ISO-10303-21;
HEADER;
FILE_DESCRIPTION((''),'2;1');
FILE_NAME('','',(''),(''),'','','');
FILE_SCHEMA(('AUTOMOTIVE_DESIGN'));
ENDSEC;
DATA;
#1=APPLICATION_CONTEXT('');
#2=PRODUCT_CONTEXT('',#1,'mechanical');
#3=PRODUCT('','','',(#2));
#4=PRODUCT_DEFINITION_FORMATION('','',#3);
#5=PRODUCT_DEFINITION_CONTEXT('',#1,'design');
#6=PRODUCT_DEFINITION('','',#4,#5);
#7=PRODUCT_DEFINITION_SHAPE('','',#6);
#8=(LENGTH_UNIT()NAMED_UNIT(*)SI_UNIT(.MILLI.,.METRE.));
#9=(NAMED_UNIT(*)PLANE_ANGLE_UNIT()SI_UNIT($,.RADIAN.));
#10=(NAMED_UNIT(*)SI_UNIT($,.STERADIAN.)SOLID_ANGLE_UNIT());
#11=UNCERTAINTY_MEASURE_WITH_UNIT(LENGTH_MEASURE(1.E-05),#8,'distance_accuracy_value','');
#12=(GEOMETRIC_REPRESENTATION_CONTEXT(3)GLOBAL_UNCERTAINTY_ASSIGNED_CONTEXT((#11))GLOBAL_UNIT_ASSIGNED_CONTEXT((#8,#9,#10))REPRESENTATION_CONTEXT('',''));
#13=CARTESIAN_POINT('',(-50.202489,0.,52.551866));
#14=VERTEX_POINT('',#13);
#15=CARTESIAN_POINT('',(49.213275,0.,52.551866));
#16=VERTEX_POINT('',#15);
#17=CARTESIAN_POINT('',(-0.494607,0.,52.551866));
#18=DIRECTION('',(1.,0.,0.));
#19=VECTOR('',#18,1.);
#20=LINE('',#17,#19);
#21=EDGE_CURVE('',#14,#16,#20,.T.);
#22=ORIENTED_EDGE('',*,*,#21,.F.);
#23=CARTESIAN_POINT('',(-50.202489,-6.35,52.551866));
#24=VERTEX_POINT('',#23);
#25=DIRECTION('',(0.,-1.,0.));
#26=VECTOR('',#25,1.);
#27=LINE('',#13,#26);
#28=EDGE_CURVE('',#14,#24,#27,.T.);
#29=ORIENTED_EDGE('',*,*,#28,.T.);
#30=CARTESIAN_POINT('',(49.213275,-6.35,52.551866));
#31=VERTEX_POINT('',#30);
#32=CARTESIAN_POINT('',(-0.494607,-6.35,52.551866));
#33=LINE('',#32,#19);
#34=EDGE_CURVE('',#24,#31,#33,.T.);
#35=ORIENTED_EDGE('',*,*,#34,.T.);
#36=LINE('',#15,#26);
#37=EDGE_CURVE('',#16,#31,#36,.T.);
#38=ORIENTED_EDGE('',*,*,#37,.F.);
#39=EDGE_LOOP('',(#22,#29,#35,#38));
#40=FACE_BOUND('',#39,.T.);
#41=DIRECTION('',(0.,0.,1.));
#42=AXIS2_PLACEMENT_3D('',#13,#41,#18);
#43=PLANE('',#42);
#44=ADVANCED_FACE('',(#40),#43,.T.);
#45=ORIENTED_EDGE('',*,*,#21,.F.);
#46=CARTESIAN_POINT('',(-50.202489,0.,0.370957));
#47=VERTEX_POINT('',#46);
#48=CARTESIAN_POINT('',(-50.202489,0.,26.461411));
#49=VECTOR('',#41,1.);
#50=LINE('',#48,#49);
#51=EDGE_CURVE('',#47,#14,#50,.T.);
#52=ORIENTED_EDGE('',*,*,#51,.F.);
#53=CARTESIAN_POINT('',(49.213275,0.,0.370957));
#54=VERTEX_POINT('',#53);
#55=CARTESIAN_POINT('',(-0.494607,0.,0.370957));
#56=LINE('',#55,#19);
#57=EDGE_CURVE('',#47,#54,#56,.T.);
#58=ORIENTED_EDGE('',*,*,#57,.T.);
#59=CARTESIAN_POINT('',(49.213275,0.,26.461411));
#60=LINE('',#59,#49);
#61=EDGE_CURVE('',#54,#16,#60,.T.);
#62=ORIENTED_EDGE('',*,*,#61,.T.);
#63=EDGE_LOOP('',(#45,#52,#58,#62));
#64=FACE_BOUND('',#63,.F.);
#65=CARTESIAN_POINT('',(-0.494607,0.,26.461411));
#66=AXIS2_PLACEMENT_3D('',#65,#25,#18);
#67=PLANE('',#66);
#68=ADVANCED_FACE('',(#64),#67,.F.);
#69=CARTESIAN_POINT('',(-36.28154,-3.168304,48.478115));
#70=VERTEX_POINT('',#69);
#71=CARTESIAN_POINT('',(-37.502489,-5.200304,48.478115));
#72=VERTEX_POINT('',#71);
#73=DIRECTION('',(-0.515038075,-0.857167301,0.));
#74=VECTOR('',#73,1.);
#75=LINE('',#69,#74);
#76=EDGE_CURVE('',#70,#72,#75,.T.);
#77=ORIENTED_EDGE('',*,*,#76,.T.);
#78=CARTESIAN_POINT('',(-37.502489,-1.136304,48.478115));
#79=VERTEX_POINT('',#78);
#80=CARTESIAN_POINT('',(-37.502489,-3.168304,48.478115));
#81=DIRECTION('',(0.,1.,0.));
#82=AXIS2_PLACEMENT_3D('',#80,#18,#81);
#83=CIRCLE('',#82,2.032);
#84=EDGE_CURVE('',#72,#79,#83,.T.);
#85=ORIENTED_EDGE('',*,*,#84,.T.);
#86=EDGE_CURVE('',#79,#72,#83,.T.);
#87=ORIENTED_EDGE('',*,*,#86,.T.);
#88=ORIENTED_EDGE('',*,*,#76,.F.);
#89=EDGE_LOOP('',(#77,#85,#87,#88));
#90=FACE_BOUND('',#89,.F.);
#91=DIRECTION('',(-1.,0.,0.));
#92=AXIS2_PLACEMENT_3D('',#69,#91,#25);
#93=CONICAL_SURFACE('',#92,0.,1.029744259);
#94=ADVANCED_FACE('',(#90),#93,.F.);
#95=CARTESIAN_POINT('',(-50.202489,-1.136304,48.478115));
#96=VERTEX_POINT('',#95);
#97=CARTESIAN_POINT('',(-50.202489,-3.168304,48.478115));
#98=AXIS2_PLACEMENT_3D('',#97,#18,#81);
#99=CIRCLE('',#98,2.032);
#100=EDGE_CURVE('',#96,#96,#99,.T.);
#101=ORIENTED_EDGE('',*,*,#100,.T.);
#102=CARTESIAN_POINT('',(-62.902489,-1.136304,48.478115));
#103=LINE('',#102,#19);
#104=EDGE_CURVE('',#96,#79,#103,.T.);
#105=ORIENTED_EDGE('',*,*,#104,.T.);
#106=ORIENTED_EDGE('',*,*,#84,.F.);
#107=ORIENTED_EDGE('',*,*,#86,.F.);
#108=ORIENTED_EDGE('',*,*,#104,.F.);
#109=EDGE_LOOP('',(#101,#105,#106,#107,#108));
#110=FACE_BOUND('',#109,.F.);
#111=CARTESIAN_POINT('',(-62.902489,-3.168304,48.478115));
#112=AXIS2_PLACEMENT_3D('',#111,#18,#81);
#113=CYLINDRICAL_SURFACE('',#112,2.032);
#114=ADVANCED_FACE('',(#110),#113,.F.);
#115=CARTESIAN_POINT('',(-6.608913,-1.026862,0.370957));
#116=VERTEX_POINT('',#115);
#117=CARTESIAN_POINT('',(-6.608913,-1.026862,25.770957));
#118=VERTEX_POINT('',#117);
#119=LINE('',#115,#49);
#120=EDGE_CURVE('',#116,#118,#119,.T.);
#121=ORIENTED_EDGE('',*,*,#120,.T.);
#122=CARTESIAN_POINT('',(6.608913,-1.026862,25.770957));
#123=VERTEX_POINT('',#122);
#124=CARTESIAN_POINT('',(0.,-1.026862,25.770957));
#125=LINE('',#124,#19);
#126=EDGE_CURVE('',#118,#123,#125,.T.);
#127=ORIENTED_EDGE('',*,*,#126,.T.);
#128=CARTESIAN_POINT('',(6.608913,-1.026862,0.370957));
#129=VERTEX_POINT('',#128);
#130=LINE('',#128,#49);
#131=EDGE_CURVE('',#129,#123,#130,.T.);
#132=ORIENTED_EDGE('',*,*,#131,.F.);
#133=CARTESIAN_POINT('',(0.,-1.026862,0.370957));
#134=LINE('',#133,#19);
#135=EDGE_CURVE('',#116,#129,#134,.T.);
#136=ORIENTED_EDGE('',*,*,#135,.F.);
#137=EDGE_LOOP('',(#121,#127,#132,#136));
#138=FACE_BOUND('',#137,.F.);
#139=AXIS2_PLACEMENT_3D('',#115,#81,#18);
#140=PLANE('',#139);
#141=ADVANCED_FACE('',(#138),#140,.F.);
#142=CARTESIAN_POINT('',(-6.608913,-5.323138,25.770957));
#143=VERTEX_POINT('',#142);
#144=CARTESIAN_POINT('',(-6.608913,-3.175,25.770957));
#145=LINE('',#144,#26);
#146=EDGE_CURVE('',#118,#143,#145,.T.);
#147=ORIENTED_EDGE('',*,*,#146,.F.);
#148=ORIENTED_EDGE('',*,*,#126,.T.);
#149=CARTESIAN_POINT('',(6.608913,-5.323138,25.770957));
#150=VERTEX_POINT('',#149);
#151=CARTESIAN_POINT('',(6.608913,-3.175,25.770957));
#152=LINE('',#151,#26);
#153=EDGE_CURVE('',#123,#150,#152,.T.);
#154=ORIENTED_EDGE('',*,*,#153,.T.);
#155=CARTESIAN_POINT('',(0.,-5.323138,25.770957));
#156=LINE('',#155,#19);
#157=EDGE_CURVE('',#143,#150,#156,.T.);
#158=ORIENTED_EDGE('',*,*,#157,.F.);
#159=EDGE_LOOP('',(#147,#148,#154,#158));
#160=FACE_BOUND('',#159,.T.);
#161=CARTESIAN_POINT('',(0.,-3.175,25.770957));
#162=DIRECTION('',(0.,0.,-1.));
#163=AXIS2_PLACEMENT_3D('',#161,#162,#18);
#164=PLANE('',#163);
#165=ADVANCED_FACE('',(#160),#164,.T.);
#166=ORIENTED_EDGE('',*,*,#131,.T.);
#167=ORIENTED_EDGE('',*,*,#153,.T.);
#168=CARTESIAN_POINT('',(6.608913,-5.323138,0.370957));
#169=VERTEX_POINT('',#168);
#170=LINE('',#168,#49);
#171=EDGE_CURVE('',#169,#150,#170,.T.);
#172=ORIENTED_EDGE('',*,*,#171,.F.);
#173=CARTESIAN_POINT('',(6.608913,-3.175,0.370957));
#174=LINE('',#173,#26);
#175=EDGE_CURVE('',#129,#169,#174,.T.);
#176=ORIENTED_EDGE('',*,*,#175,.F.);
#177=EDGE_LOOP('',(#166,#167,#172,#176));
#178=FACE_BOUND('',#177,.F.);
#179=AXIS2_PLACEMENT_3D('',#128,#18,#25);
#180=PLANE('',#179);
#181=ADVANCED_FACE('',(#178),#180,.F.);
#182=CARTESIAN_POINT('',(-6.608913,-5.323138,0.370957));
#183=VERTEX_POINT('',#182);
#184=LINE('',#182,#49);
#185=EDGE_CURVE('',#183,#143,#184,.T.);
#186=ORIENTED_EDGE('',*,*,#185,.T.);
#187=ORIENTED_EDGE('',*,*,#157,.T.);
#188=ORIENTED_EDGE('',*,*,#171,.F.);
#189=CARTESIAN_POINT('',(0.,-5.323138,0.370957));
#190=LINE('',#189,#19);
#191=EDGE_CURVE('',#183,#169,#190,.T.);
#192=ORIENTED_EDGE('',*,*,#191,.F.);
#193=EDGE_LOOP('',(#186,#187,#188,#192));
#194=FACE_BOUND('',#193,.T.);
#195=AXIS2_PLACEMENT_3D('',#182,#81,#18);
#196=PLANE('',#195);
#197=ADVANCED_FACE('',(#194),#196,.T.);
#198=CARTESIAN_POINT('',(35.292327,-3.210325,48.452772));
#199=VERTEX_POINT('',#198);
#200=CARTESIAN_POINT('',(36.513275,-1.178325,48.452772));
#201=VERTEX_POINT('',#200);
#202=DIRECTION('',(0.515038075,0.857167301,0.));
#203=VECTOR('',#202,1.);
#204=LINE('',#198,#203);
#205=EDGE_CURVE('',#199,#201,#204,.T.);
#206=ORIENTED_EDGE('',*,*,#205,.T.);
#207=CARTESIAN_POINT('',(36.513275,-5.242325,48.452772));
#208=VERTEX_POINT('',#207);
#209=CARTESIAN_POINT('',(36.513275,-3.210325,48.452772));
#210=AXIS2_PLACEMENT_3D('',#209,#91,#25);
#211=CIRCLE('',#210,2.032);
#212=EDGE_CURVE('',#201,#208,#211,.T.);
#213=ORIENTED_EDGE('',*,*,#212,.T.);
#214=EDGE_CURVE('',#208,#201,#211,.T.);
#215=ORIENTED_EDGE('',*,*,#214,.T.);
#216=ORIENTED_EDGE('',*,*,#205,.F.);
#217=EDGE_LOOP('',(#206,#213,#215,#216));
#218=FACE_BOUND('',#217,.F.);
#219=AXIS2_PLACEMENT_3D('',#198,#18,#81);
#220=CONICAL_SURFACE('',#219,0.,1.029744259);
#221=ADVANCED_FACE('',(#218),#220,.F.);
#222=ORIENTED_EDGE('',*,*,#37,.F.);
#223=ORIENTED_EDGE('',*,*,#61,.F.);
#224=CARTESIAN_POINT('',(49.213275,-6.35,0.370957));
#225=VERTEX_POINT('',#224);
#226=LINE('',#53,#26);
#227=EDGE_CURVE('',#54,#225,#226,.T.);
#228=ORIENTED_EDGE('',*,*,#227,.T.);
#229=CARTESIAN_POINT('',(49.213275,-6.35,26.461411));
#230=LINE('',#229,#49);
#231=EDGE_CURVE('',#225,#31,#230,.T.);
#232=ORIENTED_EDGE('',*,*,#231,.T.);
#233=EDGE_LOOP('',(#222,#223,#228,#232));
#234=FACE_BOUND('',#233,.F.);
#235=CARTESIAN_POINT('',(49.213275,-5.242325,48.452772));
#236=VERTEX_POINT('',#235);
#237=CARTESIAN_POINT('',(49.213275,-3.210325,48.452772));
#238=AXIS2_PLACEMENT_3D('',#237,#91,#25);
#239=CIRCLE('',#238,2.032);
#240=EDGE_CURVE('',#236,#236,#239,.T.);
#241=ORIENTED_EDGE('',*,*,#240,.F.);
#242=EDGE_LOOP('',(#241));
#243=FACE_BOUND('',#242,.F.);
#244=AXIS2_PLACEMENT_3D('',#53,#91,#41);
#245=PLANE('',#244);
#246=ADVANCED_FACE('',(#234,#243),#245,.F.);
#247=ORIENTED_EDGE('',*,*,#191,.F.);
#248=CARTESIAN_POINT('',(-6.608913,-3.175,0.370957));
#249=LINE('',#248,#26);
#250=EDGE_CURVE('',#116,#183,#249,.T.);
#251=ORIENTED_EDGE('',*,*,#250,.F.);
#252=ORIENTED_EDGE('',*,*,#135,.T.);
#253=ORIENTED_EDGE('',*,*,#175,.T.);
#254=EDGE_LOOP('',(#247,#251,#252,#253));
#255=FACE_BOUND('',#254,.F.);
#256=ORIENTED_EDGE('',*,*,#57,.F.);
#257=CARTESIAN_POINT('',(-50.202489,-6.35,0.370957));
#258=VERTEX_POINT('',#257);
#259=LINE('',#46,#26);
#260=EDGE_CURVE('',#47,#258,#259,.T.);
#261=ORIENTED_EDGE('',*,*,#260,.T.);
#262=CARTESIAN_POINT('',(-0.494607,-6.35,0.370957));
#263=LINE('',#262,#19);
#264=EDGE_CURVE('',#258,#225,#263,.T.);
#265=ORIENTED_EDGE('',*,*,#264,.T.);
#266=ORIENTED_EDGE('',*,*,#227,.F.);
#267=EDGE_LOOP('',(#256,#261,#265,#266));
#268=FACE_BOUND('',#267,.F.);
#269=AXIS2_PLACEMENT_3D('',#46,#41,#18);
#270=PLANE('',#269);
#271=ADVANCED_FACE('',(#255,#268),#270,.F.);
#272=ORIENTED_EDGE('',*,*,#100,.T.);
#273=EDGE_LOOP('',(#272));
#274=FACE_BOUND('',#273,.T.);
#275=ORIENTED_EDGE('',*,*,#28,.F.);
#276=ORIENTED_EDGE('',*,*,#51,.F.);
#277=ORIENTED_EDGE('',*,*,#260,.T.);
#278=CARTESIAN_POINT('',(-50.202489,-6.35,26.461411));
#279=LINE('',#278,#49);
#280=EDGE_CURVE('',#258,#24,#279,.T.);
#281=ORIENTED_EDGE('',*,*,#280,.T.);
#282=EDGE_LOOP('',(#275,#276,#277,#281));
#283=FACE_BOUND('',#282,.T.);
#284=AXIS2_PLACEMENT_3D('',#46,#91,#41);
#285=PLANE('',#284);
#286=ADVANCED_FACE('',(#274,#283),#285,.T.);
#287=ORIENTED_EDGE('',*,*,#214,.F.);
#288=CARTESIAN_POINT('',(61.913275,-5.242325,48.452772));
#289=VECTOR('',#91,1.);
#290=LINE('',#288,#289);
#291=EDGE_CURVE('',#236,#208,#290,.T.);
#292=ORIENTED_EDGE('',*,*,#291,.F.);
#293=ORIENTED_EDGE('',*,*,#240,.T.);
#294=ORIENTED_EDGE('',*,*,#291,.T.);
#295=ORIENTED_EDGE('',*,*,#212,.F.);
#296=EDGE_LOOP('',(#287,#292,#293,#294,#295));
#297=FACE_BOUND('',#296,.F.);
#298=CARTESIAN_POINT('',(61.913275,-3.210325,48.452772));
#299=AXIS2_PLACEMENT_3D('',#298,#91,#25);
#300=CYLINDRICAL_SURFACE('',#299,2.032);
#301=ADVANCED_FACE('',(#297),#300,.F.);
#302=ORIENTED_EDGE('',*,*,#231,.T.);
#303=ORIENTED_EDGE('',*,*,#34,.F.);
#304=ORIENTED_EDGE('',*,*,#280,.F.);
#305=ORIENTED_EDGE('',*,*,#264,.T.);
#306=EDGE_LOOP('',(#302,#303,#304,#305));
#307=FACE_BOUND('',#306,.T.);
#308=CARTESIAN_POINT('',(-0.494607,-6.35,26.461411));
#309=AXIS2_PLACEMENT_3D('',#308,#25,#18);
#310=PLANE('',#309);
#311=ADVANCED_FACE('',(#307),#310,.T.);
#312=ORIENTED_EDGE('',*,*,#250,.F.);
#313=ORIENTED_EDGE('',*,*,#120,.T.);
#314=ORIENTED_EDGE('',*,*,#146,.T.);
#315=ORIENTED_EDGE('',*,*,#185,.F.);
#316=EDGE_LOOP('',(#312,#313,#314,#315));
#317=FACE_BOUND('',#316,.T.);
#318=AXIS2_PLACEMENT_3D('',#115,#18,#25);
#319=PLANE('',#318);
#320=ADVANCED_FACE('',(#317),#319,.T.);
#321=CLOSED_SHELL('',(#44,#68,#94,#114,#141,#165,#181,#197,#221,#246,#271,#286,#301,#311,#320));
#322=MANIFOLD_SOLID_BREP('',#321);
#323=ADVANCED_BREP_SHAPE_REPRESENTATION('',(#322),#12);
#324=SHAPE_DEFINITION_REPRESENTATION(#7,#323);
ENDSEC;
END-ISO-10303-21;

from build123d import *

# Parameters (mm, degrees)
F0_W     = 99.4157642126
F0_H     = 52.1809085621
F1_DEPTH = 6.35
F4_D     = 4.064
F4_DEPTH = 12.7
F4_TIP   = 1.2209487779
F5_D     = 4.064
F5_DEPTH = 12.7
F5_TIP   = 1.2209487779
F6_W     = 13.2178254426
F6_H     = 4.296275205
F7_DEPTH = 25.4


with BuildPart() as f1:
    # F0 (on Front) → F1 (new body)
    with BuildSketch(Plane.XZ):
        with Locations((-0.4946067929, 26.4614112966)):
            Rectangle(F0_W, F0_H)
    extrude(amount=F1_DEPTH)

    # F4
    with Locations(Plane.YZ.offset(49.2132753134)):
        with Locations((-3.2103247941, 48.4527722001)):
            Hole(F4_D / 2, depth=F4_DEPTH)
            with Locations((0, 0, -(F4_DEPTH + F4_TIP / 2))):  # 118° drill point
                Cone(0, F4_D / 2, F4_TIP, mode=Mode.SUBTRACT)

    # F5
    with Locations(Plane(origin=(-50.2024888992, 0, 0), x_dir=(0, -1, 0), z_dir=(-1, 0, 0))):
        with Locations((3.1683039851, 48.47811535)):
            Hole(F5_D / 2, depth=F5_DEPTH)
            with Locations((0, 0, -(F5_DEPTH + F5_TIP / 2))):  # 118° drill point
                Cone(0, F5_D / 2, F5_TIP, mode=Mode.SUBTRACT)

    # F6 (on face) → F7 (cut)
    with BuildSketch(Plane(origin=(0, 0, 0.3709570155), x_dir=(1, 0, 0), z_dir=(0, 0, -1))):
        with Locations((0, 3.175)):
            Rectangle(F6_W, F6_H)
    extrude(amount=-F7_DEPTH, mode=Mode.SUBTRACT)


solid = f1.part
